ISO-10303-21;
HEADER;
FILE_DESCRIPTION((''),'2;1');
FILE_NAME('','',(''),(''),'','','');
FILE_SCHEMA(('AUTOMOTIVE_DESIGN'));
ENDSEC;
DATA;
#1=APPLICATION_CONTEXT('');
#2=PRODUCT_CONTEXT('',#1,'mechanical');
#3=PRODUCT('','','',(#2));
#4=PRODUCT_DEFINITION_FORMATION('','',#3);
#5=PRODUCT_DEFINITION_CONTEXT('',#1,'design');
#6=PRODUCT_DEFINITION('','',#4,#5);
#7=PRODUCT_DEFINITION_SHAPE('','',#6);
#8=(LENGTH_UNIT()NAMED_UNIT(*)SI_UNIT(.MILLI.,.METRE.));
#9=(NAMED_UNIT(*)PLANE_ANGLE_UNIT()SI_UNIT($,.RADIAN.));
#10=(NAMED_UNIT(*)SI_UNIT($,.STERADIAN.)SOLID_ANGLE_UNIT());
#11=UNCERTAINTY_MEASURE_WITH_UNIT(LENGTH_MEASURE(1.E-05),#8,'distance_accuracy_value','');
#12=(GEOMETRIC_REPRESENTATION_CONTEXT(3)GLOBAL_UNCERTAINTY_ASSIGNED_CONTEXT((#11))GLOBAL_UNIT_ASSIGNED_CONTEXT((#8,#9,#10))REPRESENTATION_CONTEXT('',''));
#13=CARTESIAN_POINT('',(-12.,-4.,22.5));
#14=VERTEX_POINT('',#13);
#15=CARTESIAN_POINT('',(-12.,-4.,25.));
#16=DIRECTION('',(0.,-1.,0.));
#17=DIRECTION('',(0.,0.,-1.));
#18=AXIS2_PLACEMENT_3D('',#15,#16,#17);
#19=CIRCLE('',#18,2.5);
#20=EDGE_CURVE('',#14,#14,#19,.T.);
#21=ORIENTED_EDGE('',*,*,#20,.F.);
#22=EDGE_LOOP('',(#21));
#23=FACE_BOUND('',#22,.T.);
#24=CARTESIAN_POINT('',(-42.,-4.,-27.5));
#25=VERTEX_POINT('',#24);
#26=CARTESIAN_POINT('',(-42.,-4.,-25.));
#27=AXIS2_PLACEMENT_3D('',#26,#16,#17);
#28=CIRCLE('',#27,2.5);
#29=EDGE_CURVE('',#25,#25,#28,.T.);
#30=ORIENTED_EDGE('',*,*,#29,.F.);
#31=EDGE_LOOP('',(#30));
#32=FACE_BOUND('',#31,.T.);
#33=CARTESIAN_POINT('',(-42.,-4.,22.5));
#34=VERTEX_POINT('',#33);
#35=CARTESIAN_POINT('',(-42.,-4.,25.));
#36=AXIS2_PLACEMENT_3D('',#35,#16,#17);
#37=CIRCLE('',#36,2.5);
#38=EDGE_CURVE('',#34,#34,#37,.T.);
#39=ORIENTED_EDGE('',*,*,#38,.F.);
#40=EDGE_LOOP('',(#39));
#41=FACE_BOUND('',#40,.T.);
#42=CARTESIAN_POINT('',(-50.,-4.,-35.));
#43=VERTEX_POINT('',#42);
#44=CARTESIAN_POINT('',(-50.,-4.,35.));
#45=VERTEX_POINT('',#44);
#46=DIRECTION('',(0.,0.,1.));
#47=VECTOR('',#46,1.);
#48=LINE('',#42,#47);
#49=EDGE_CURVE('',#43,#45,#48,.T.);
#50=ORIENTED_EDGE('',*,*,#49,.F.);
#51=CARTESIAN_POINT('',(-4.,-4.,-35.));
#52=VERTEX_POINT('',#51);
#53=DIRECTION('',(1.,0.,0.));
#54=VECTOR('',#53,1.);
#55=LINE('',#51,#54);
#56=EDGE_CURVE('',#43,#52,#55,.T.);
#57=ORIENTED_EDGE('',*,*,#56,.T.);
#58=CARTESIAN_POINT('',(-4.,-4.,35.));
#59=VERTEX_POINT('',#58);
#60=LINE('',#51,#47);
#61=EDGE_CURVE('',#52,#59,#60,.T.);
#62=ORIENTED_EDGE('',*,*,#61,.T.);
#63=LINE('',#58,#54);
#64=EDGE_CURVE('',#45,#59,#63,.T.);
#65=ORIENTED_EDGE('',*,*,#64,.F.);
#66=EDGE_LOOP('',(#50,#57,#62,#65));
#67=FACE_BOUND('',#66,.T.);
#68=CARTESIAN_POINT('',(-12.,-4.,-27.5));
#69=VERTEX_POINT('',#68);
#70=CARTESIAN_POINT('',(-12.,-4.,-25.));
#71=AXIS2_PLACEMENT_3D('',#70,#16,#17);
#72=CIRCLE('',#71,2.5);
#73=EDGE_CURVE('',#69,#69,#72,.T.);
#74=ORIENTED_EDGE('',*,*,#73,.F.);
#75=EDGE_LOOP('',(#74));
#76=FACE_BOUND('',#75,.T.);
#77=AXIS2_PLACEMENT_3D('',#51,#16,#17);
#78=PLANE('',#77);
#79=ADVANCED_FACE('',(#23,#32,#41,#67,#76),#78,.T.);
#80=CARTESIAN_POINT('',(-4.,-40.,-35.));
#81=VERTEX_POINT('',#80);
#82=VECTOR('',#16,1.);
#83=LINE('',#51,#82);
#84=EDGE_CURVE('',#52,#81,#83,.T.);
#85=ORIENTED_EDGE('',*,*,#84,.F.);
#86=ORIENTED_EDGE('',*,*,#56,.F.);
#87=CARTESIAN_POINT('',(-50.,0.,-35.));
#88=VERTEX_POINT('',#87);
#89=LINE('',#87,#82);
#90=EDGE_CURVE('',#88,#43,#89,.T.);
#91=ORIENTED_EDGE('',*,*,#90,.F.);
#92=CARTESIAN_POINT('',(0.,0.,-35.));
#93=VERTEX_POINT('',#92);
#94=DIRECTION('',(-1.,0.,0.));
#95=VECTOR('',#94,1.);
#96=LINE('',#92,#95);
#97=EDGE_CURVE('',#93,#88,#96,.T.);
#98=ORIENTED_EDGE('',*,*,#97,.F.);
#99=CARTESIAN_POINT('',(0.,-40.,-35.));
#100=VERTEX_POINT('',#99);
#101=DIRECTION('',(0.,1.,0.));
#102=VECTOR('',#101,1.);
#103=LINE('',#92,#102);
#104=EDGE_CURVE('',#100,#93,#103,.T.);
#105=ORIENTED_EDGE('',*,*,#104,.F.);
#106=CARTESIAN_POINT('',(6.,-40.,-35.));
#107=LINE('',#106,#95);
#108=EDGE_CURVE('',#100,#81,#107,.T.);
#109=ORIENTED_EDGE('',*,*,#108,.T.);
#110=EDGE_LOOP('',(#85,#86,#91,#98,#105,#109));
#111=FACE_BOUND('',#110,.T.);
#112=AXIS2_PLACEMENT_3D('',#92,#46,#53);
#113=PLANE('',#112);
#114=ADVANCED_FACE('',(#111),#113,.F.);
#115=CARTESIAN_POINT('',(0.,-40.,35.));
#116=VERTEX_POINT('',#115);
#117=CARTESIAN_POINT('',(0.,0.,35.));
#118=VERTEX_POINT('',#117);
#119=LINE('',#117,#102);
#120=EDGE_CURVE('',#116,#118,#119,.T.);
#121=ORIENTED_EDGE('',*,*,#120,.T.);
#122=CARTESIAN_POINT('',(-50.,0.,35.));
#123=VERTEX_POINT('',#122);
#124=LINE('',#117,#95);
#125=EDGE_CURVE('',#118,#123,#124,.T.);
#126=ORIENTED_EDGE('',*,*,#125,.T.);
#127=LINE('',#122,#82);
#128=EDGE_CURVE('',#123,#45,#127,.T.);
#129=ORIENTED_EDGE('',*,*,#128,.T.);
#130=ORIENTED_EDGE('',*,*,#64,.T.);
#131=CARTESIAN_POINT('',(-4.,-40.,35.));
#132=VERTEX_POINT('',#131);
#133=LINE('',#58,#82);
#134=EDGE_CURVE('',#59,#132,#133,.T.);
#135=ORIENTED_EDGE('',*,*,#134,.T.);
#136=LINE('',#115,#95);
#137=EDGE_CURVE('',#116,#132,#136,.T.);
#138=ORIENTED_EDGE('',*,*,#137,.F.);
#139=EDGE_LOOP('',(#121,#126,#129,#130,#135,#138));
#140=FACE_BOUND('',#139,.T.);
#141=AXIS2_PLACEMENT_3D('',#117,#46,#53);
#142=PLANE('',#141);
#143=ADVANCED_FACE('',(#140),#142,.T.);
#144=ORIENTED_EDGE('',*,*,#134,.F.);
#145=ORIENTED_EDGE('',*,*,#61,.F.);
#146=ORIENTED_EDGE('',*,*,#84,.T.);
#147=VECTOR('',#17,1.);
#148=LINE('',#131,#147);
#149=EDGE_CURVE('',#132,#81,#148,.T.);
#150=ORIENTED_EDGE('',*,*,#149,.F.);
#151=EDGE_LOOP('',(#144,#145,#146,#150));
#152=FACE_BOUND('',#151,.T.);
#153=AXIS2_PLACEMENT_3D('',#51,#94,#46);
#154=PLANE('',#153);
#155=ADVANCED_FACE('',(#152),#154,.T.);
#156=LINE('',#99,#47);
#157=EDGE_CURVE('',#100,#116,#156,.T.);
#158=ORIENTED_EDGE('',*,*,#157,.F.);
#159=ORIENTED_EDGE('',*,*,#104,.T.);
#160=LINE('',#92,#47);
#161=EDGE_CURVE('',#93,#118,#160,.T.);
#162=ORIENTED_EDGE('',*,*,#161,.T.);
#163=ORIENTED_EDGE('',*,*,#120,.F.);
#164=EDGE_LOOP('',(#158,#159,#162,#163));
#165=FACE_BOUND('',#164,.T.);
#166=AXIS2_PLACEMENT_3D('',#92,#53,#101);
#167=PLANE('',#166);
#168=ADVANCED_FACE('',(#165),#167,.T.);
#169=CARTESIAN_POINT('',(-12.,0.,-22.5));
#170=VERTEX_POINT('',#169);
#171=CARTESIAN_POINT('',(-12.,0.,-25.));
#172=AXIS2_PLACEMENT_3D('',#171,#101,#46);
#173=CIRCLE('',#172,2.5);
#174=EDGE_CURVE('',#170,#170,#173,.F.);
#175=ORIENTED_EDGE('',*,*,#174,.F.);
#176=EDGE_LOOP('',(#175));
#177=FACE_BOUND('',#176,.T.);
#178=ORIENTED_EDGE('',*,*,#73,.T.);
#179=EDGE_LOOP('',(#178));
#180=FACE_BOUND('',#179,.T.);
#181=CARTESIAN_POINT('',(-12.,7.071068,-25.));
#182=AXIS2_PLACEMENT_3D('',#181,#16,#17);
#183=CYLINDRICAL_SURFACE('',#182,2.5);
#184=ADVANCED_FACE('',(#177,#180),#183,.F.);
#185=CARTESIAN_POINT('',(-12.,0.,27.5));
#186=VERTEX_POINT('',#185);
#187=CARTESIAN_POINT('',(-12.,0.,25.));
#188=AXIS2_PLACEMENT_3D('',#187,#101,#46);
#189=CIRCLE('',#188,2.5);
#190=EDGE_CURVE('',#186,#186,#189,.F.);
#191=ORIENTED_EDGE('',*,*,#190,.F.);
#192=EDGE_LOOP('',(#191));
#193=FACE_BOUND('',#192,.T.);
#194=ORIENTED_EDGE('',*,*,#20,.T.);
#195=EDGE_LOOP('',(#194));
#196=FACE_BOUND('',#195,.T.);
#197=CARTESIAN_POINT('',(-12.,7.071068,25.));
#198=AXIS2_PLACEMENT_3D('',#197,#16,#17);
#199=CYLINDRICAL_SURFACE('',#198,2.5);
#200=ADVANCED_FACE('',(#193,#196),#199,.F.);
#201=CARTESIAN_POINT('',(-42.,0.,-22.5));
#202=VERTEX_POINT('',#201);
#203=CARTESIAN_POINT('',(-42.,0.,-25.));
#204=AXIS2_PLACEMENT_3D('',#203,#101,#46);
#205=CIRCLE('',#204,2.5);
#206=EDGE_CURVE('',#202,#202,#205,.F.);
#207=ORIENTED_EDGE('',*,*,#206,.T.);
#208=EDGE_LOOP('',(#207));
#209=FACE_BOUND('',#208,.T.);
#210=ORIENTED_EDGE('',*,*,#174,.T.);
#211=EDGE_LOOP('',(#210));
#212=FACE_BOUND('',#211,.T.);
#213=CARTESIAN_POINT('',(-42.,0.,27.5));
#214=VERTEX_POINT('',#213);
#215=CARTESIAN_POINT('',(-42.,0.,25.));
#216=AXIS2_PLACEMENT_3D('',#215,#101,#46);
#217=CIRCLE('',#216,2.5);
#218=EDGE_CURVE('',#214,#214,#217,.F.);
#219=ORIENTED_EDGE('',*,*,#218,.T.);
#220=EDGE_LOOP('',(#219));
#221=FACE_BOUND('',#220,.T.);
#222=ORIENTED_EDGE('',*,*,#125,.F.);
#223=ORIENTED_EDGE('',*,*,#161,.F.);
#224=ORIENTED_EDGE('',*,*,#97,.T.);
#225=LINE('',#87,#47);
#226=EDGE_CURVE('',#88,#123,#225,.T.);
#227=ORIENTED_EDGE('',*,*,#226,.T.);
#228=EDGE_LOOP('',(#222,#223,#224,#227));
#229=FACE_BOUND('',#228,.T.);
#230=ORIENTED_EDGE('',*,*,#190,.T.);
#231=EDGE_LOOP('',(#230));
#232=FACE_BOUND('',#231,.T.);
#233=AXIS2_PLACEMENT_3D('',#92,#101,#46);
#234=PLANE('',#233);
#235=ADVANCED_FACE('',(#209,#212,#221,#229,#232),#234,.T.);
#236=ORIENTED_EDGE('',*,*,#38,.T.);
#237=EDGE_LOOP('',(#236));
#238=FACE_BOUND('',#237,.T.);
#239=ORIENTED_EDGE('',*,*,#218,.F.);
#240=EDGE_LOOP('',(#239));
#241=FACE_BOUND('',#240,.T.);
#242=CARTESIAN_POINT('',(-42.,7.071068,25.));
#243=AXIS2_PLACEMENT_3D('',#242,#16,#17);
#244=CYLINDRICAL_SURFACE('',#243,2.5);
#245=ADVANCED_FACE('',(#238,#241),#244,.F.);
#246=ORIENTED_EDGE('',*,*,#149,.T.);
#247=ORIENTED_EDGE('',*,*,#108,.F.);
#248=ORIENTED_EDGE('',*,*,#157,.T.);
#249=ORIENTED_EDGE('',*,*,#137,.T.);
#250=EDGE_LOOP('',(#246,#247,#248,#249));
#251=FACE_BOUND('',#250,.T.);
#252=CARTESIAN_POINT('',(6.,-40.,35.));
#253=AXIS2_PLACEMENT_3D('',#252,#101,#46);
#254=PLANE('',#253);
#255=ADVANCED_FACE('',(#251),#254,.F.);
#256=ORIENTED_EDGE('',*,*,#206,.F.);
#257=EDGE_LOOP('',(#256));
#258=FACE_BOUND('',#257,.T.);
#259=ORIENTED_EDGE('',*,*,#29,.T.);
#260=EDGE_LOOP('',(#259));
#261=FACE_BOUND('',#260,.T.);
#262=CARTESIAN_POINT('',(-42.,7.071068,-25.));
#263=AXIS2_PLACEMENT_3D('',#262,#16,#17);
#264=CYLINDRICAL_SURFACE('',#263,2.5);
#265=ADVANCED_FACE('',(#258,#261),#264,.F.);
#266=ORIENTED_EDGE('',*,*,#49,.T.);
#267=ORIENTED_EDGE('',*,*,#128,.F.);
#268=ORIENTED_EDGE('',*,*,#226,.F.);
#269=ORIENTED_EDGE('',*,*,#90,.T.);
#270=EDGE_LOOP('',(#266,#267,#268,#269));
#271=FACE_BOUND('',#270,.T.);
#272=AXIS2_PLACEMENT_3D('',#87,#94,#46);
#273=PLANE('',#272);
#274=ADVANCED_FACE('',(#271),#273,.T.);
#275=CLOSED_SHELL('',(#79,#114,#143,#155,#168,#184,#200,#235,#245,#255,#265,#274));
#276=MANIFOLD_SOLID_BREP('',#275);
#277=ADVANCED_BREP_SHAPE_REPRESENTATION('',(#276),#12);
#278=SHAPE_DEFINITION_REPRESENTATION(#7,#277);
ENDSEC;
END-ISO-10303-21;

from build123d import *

# Parameters (mm, degrees)
SALIENTE_EXTRUIR1_DEPTH      = 35
SALIENTE_EXTRUIR1_DEPTH_BACK = 35
CROQUIS3_R                   = 2.5
CORTAR_EXTRUIR1_DEPTH        = 4
CROQUIS4_W                   = 70
CROQUIS4_H                   = 10
CORTAR_EXTRUIR2_DEPTH        = 10


with BuildPart() as part:
    # Croquis2 → Saliente-Extruir1 (new body, two sides)
    with BuildSketch(Plane.XY) as saliente_extruir1_sk:
        Polygon((0, 0), (-50, 0), (-50, -4), (-4, -4), (-4, -50), (0, -50), align=None)
    extrude(amount=SALIENTE_EXTRUIR1_DEPTH)
    extrude(saliente_extruir1_sk.sketch, amount=-SALIENTE_EXTRUIR1_DEPTH_BACK)

    # Croquis3 → Cortar-Extruir1 (cut)
    with BuildSketch(Plane.XZ.offset(4)):
        with Locations((-12, 25)):
            Circle(CROQUIS3_R)
        with Locations((-12, -25)):
            Circle(CROQUIS3_R)
        with Locations((-42, 25)):
            Circle(CROQUIS3_R)
        with Locations((-42, -25)):
            Circle(CROQUIS3_R)
    extrude(amount=-CORTAR_EXTRUIR1_DEPTH, mode=Mode.SUBTRACT)

    # Croquis4 → Cortar-Extruir2 (cut)
    with BuildSketch(Plane.ZY.offset(4)):
        with Locations((0, -45)):
            Rectangle(CROQUIS4_W, CROQUIS4_H)
    extrude(amount=-CORTAR_EXTRUIR2_DEPTH, mode=Mode.SUBTRACT)


solid = part.part
